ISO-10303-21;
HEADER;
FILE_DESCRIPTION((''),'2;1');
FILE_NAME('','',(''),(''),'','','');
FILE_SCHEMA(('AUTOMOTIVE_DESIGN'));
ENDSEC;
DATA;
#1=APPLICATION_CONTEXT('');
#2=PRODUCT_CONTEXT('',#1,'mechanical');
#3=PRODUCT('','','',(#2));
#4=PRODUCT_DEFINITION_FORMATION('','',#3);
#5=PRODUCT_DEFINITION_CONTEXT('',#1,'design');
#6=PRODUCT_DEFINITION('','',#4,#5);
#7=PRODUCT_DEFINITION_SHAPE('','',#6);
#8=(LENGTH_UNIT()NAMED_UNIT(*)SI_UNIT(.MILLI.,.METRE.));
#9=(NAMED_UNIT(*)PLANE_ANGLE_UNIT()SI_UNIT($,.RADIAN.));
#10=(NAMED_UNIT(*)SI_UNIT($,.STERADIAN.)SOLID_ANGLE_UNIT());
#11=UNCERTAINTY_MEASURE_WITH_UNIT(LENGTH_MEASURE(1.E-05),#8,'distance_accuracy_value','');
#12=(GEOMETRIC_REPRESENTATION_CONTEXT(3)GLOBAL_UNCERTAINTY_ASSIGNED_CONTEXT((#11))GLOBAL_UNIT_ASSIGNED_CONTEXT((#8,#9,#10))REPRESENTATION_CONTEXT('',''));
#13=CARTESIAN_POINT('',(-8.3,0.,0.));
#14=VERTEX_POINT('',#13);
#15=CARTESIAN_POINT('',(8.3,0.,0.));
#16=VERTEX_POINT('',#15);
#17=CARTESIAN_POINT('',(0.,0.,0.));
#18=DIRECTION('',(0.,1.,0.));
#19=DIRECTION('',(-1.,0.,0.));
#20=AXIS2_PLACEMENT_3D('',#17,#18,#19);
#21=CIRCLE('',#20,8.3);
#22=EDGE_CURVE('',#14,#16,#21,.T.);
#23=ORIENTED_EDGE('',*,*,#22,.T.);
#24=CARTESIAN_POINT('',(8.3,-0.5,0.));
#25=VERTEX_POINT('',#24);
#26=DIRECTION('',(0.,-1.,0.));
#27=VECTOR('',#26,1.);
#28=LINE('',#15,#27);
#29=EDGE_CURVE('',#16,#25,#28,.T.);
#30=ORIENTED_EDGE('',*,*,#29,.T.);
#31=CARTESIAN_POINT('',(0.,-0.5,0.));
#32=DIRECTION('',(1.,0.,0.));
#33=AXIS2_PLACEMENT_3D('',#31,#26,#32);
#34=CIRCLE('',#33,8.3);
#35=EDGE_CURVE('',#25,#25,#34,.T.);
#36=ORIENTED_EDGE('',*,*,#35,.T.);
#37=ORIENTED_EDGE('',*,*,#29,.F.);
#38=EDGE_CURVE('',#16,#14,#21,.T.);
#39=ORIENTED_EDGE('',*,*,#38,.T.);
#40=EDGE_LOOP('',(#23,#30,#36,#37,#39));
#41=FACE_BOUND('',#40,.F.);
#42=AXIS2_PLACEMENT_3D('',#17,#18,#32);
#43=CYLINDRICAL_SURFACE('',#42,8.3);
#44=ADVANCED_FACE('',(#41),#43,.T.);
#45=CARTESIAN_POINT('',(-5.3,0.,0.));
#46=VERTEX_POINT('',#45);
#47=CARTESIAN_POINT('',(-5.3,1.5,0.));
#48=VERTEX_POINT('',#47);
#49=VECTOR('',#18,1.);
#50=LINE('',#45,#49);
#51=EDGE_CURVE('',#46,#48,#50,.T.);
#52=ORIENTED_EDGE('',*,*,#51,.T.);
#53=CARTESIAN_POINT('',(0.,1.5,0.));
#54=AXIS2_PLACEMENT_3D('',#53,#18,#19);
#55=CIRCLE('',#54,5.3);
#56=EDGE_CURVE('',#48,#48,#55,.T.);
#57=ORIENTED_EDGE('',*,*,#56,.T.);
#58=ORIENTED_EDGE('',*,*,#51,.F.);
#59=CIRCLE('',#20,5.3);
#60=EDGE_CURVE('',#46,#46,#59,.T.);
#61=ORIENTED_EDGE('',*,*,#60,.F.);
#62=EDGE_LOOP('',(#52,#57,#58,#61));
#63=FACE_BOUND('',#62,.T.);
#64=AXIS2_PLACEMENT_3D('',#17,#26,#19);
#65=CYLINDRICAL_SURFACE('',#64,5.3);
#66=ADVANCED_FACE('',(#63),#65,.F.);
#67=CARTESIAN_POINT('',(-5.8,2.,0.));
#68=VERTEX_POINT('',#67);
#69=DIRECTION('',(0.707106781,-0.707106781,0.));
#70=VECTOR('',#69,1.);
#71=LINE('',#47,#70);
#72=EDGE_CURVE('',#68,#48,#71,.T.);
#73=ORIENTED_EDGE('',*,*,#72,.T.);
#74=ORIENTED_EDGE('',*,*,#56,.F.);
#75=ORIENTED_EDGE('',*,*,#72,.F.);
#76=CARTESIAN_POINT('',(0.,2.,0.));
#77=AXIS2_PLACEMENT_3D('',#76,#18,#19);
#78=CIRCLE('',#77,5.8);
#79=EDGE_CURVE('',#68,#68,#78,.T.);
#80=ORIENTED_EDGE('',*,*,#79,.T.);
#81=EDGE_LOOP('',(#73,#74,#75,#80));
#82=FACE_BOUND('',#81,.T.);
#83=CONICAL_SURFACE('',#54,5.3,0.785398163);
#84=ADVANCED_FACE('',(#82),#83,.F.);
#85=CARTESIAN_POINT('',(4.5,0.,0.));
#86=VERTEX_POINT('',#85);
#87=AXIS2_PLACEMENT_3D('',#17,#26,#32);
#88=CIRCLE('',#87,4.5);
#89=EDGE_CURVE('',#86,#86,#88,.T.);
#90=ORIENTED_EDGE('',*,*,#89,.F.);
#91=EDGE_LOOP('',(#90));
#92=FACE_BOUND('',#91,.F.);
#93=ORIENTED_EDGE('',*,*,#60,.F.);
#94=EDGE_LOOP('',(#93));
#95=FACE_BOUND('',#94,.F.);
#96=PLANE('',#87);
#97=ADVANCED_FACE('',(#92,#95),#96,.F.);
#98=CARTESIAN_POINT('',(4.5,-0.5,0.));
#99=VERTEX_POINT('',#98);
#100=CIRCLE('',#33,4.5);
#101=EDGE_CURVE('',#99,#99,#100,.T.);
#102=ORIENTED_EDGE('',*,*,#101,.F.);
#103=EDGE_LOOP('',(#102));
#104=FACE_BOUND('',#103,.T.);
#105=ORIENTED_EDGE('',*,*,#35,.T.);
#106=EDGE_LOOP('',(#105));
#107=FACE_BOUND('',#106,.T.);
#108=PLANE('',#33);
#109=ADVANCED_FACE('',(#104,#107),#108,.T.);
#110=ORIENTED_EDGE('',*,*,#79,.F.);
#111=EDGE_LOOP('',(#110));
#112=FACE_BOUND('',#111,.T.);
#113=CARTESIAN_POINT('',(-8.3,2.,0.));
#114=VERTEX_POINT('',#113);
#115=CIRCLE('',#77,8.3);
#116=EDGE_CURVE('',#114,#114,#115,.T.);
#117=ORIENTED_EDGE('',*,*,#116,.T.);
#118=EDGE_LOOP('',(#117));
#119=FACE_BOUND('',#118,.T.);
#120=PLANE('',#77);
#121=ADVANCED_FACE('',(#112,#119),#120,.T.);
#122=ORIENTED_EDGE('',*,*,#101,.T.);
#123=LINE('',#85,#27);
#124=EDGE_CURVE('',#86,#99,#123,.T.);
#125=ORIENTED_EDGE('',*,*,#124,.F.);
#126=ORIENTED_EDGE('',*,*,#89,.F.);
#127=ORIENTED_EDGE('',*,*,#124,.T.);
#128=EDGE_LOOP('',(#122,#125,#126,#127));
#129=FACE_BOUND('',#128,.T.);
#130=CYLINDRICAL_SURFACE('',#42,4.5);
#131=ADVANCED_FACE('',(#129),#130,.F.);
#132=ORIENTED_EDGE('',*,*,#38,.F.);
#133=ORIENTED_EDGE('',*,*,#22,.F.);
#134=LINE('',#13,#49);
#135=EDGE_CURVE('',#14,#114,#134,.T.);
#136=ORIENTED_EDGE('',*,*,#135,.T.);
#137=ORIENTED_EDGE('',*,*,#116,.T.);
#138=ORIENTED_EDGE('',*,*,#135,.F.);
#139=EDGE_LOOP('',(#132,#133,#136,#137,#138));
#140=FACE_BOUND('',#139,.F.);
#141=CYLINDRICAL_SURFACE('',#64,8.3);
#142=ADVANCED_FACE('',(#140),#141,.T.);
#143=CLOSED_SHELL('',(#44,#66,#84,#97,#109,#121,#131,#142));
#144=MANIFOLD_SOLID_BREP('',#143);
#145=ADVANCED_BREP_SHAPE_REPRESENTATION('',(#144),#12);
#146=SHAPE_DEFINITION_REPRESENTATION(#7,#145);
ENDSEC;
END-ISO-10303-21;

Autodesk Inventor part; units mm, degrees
ref_plane "YZ Plane" through (0, 0, 0) normal (1, 0, 0) x (0, 1, 0)
ref_plane "XZ Plane" through (0, 0, 0) normal (0, 1, 0) x (-1, 0, 0)
ref_plane "XY Plane" through (0, 0, 0) normal (0, 0, 1) x (1, 0, 0)
sketch "Sketch1" plane through (0, 0, 0) normal (0, 1, 0) x (-1, 0, 0)
  circle A0 centre (0, 0) radius 5.3
  circle A1 centre (0, 0) radius 8.3
  dimension "d0" = 10.6
  dimension "d1" = 3
extrude "Extrusion1" add sketch "Sketch1" along normal blind 2
sketch "Sketch2" plane through (0, 0, 0) normal (0, -1, 0) x (1, 0, 0)
  circle A0 centre (0, 0) radius 4.5
  circle A1 centre (0, 0) radius 8.3 projected
  dimension "d4" = 9
extrude "Extrusion2" add sketch "Sketch2" along normal blind 0.5
chamfer "Chamfer1" distance 0.5 angle 45 1 edges at (5.3, 2, 0)
properties part number "623_flange"
